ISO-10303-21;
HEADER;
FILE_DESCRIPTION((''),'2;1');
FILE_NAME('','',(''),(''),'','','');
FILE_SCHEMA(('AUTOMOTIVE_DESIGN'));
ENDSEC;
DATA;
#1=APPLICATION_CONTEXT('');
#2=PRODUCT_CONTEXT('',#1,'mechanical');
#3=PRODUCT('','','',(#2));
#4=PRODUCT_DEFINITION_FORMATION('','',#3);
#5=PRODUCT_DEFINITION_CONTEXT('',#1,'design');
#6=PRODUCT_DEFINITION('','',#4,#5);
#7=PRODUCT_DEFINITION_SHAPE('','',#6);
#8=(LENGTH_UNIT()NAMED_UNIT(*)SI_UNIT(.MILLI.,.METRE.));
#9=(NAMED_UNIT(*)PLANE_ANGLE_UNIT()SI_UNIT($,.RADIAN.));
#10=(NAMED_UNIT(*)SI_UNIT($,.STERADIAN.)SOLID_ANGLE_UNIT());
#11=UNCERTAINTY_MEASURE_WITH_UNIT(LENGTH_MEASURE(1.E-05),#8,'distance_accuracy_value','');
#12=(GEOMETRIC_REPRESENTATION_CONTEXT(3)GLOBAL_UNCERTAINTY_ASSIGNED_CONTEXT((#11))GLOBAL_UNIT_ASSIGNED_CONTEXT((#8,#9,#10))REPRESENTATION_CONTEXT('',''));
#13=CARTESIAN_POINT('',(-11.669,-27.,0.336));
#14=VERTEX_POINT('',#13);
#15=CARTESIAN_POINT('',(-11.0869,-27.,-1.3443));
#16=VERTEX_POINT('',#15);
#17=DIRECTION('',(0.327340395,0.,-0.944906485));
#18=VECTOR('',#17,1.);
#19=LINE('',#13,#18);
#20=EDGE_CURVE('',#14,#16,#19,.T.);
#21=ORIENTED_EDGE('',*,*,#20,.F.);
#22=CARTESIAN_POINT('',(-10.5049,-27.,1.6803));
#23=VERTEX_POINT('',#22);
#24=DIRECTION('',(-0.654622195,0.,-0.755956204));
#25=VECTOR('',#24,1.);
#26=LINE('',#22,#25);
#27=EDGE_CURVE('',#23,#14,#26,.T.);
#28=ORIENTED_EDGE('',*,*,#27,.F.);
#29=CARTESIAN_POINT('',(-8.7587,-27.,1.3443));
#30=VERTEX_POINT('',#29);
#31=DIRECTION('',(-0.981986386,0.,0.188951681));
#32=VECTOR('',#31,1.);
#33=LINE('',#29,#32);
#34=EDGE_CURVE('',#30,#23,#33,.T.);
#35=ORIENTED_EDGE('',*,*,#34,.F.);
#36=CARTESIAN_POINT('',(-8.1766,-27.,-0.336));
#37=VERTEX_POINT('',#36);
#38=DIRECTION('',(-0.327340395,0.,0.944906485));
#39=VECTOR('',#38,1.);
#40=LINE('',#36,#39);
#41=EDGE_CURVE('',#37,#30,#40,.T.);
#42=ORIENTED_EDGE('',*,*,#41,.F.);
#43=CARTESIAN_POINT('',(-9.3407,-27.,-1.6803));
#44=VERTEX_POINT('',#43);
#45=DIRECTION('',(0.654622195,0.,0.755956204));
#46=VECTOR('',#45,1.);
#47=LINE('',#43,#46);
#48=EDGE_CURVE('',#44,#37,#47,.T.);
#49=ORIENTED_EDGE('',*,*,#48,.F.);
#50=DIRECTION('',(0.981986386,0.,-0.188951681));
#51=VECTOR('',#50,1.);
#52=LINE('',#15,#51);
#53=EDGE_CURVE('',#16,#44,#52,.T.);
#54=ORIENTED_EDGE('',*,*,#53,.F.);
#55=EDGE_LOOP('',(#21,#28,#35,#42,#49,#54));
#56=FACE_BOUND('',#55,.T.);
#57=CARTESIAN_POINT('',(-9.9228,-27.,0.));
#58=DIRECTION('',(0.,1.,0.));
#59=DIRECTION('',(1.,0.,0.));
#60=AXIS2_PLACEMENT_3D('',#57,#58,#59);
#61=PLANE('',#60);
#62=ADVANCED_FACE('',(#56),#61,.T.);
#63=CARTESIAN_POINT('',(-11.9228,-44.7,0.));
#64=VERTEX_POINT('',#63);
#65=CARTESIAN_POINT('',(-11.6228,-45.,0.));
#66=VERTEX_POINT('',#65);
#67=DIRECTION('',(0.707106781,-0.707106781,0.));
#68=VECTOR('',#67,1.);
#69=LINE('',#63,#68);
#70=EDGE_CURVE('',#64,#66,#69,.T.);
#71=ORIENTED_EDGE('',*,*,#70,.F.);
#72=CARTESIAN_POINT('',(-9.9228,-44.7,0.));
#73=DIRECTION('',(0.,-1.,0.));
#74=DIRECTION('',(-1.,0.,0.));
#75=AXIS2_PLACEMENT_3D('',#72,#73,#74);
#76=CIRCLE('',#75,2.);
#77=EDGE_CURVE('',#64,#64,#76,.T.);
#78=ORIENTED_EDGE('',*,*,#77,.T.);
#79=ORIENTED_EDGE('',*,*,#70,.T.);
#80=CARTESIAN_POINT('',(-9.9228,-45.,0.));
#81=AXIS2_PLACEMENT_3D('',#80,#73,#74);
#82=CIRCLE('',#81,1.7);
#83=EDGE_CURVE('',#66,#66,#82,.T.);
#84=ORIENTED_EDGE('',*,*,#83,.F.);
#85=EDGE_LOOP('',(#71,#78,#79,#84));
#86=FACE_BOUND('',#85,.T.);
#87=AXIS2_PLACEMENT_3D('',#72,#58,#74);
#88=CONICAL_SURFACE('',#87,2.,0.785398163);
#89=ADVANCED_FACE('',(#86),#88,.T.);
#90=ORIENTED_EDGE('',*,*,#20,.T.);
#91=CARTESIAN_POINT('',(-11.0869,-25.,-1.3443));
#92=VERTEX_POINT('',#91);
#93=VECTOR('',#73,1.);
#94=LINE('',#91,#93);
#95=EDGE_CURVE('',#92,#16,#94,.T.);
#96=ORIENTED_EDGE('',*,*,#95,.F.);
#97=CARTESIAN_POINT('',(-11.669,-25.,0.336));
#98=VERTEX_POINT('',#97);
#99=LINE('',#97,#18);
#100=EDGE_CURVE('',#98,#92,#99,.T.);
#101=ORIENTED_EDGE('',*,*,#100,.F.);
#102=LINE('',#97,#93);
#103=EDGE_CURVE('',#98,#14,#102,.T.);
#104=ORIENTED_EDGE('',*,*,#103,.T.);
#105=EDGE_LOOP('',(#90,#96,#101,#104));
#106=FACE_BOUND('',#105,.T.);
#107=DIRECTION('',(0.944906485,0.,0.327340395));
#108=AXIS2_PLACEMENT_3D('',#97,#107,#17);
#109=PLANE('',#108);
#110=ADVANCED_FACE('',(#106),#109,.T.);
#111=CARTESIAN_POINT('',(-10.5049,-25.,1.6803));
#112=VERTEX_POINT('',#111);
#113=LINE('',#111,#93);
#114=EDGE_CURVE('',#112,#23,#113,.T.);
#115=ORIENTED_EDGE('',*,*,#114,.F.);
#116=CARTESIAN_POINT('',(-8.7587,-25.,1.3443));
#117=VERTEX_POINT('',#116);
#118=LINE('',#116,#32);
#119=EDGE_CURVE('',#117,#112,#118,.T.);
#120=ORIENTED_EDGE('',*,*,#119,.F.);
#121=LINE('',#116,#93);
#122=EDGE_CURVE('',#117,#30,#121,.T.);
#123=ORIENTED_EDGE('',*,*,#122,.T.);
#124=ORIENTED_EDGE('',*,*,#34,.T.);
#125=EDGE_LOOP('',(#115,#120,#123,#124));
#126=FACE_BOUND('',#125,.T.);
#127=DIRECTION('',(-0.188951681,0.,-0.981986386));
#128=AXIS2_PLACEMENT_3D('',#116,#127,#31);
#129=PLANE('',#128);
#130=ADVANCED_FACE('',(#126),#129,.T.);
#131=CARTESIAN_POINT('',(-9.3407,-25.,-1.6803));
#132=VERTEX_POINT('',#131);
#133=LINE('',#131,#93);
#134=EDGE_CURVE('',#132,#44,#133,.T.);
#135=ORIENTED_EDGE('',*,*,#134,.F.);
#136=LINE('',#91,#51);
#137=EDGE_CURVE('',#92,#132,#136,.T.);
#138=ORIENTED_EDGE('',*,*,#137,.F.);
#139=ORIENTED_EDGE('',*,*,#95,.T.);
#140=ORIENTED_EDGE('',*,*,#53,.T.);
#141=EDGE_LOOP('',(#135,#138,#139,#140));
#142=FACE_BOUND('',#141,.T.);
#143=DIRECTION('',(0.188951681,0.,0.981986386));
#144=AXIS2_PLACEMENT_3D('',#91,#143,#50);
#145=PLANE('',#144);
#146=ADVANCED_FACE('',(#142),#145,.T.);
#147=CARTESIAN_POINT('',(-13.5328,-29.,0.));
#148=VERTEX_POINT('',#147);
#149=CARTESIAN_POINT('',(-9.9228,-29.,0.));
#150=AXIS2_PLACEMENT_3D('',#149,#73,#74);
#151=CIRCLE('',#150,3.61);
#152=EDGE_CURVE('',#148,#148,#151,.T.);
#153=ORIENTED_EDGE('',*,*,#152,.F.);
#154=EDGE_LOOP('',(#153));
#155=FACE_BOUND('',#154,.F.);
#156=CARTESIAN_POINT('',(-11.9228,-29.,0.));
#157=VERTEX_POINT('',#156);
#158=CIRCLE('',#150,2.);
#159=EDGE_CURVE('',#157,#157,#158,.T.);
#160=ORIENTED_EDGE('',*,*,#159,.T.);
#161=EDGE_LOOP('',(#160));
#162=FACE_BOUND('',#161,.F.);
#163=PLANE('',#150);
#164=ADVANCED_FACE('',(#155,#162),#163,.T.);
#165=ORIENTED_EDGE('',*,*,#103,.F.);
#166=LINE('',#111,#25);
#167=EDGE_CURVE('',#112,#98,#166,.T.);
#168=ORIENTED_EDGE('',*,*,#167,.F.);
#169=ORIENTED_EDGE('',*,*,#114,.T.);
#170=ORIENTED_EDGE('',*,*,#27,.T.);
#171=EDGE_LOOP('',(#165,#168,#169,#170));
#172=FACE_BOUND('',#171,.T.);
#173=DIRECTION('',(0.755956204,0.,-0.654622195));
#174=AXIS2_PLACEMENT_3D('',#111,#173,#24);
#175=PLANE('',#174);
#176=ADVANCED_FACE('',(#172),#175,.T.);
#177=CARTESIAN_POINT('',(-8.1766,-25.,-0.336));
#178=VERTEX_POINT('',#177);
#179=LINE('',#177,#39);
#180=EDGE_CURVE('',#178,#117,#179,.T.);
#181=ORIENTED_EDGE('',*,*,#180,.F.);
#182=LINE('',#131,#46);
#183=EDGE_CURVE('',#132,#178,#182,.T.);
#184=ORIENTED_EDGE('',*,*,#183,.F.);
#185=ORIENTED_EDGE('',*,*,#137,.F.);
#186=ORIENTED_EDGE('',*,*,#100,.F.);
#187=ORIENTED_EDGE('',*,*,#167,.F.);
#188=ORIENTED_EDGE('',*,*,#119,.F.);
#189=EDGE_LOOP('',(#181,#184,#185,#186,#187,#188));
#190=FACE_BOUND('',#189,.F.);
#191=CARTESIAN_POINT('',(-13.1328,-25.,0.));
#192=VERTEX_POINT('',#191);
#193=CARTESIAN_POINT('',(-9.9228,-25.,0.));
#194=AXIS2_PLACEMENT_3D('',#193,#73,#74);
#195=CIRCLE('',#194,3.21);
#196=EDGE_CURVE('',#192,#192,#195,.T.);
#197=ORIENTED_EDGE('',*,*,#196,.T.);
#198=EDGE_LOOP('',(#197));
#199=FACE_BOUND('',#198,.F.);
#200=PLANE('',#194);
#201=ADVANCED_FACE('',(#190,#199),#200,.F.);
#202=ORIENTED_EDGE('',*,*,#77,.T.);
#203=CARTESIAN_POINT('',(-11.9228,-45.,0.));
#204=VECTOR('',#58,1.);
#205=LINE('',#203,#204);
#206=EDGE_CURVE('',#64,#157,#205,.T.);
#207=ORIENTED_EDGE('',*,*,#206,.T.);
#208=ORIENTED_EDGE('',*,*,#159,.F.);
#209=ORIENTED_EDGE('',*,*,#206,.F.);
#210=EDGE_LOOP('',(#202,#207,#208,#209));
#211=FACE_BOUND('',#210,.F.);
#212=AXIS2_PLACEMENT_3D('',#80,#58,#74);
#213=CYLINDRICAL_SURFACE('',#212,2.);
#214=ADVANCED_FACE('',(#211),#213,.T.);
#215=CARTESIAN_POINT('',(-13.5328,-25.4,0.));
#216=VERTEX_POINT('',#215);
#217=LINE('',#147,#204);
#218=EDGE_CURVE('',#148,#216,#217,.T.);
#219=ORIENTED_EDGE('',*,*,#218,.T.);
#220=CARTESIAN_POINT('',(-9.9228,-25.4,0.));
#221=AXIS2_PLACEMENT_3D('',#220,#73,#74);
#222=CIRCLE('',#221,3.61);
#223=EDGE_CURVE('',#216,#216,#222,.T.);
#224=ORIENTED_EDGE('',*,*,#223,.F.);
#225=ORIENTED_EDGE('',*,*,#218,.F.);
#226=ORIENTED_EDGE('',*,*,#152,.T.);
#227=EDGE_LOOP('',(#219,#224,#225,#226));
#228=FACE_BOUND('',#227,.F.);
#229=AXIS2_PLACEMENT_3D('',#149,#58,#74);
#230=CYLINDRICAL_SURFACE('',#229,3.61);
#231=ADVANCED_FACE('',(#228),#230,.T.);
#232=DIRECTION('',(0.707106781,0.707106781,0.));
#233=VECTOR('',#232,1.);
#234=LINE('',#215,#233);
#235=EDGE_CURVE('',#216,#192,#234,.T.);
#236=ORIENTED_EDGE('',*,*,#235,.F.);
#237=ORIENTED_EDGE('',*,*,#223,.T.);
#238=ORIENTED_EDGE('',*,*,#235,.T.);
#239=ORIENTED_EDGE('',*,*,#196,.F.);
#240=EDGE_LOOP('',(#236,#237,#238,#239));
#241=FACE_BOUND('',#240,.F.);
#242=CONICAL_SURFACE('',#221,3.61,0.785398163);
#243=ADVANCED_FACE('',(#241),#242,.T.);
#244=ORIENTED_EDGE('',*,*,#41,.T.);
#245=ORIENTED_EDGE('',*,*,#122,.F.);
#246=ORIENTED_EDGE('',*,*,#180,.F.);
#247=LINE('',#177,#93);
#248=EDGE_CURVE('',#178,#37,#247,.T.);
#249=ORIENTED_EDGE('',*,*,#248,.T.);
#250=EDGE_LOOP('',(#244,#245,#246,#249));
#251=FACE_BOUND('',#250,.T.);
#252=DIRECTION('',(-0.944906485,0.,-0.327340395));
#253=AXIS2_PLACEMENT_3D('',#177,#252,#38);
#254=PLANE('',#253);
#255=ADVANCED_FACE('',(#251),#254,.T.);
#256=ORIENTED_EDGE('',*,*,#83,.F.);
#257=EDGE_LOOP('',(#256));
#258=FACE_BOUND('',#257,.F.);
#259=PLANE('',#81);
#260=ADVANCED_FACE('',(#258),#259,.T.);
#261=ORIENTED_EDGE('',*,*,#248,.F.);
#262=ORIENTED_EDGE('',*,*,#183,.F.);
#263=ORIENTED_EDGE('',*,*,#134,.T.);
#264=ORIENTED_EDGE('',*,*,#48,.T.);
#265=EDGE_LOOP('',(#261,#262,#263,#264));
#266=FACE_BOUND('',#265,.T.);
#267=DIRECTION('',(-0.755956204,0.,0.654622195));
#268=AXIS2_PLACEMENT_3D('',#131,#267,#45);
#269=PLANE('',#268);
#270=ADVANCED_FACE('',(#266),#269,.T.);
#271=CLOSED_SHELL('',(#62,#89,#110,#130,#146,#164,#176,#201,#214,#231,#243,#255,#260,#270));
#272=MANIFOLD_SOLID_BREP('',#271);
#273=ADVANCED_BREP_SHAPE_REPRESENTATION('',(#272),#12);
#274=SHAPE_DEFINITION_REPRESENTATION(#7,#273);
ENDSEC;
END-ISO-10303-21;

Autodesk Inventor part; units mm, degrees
ref_plane "YZ Plane" through (0, 0, 0) normal (1, 0, 0) x (0, 1, 0)
ref_plane "XZ Plane" through (0, 0, 0) normal (0, 1, 0) x (-1, 0, 0)
ref_plane "XY Plane" through (0, 0, 0) normal (0, 0, 1) x (1, 0, 0)
sketch "Sketch1" plane through (0, 0, 0) normal (0, 0, 1) x (1, 0, 0)
  line L0 (-9.9228, -29) -> (-13.5328, -29)
  line L1 (-13.5328, -29) -> (-13.5328, -25)
  line L2 (-13.5328, -25) -> (-9.9228, -25)
  line L3 (-9.9228, -25) -> (-9.9228, -29)
  line L4 (-9.9228, -29) -> (-9.9228, -45)
  line L5 (-9.9228, -45) -> (-11.9228, -45)
  line L6 (-11.9228, -45) -> (-11.9228, -29)
  point P0 (0, 0)
  dimension "d0" = 3.61
  dimension "d1" = 4
  dimension "d2" = 16
  dimension "d3" = 2
revolve "Revolution1" add sketch "Sketch1" angle 360 about axis through (-9.9228, -29, 0) along (0, -1, 0)
chamfer "Chamfer1" distance 0.4 angle 45 1 edges at (-6.3128, -25, 0)
sketch "Boceto2" plane through (-9.9228, -25, 0) normal (0, 1, 0) x (1, 0, 0)
  line L0 (1.1641, -1.3443) -> (-0.5821, -1.6803)
  line L1 (-0.5821, -1.6803) -> (-1.7462, -0.336)
  line L2 (-1.7462, -0.336) -> (-1.1641, 1.3443)
  line L3 (-1.1641, 1.3443) -> (0.5821, 1.6803)
  line L4 (0.5821, 1.6803) -> (1.7462, 0.336)
  line L5 (1.7462, 0.336) -> (1.1641, -1.3443)
  point P0 (9.9228, 0)
  point P1 (0, 0)
  dimension "d11" = 3.08
extrude "Extrusión1" cut sketch "Boceto2" against normal blind 2
thread "Rosca1" size "M4x0.7" class "6g" standard "ISO Metric profile" length 430
chamfer "Chamfer3" distance 0.3 angle 45 1 edges at (-7.9228, -45, 0)
properties part number "Tornillo Allen cabeza cilindrica M4x16mm"
